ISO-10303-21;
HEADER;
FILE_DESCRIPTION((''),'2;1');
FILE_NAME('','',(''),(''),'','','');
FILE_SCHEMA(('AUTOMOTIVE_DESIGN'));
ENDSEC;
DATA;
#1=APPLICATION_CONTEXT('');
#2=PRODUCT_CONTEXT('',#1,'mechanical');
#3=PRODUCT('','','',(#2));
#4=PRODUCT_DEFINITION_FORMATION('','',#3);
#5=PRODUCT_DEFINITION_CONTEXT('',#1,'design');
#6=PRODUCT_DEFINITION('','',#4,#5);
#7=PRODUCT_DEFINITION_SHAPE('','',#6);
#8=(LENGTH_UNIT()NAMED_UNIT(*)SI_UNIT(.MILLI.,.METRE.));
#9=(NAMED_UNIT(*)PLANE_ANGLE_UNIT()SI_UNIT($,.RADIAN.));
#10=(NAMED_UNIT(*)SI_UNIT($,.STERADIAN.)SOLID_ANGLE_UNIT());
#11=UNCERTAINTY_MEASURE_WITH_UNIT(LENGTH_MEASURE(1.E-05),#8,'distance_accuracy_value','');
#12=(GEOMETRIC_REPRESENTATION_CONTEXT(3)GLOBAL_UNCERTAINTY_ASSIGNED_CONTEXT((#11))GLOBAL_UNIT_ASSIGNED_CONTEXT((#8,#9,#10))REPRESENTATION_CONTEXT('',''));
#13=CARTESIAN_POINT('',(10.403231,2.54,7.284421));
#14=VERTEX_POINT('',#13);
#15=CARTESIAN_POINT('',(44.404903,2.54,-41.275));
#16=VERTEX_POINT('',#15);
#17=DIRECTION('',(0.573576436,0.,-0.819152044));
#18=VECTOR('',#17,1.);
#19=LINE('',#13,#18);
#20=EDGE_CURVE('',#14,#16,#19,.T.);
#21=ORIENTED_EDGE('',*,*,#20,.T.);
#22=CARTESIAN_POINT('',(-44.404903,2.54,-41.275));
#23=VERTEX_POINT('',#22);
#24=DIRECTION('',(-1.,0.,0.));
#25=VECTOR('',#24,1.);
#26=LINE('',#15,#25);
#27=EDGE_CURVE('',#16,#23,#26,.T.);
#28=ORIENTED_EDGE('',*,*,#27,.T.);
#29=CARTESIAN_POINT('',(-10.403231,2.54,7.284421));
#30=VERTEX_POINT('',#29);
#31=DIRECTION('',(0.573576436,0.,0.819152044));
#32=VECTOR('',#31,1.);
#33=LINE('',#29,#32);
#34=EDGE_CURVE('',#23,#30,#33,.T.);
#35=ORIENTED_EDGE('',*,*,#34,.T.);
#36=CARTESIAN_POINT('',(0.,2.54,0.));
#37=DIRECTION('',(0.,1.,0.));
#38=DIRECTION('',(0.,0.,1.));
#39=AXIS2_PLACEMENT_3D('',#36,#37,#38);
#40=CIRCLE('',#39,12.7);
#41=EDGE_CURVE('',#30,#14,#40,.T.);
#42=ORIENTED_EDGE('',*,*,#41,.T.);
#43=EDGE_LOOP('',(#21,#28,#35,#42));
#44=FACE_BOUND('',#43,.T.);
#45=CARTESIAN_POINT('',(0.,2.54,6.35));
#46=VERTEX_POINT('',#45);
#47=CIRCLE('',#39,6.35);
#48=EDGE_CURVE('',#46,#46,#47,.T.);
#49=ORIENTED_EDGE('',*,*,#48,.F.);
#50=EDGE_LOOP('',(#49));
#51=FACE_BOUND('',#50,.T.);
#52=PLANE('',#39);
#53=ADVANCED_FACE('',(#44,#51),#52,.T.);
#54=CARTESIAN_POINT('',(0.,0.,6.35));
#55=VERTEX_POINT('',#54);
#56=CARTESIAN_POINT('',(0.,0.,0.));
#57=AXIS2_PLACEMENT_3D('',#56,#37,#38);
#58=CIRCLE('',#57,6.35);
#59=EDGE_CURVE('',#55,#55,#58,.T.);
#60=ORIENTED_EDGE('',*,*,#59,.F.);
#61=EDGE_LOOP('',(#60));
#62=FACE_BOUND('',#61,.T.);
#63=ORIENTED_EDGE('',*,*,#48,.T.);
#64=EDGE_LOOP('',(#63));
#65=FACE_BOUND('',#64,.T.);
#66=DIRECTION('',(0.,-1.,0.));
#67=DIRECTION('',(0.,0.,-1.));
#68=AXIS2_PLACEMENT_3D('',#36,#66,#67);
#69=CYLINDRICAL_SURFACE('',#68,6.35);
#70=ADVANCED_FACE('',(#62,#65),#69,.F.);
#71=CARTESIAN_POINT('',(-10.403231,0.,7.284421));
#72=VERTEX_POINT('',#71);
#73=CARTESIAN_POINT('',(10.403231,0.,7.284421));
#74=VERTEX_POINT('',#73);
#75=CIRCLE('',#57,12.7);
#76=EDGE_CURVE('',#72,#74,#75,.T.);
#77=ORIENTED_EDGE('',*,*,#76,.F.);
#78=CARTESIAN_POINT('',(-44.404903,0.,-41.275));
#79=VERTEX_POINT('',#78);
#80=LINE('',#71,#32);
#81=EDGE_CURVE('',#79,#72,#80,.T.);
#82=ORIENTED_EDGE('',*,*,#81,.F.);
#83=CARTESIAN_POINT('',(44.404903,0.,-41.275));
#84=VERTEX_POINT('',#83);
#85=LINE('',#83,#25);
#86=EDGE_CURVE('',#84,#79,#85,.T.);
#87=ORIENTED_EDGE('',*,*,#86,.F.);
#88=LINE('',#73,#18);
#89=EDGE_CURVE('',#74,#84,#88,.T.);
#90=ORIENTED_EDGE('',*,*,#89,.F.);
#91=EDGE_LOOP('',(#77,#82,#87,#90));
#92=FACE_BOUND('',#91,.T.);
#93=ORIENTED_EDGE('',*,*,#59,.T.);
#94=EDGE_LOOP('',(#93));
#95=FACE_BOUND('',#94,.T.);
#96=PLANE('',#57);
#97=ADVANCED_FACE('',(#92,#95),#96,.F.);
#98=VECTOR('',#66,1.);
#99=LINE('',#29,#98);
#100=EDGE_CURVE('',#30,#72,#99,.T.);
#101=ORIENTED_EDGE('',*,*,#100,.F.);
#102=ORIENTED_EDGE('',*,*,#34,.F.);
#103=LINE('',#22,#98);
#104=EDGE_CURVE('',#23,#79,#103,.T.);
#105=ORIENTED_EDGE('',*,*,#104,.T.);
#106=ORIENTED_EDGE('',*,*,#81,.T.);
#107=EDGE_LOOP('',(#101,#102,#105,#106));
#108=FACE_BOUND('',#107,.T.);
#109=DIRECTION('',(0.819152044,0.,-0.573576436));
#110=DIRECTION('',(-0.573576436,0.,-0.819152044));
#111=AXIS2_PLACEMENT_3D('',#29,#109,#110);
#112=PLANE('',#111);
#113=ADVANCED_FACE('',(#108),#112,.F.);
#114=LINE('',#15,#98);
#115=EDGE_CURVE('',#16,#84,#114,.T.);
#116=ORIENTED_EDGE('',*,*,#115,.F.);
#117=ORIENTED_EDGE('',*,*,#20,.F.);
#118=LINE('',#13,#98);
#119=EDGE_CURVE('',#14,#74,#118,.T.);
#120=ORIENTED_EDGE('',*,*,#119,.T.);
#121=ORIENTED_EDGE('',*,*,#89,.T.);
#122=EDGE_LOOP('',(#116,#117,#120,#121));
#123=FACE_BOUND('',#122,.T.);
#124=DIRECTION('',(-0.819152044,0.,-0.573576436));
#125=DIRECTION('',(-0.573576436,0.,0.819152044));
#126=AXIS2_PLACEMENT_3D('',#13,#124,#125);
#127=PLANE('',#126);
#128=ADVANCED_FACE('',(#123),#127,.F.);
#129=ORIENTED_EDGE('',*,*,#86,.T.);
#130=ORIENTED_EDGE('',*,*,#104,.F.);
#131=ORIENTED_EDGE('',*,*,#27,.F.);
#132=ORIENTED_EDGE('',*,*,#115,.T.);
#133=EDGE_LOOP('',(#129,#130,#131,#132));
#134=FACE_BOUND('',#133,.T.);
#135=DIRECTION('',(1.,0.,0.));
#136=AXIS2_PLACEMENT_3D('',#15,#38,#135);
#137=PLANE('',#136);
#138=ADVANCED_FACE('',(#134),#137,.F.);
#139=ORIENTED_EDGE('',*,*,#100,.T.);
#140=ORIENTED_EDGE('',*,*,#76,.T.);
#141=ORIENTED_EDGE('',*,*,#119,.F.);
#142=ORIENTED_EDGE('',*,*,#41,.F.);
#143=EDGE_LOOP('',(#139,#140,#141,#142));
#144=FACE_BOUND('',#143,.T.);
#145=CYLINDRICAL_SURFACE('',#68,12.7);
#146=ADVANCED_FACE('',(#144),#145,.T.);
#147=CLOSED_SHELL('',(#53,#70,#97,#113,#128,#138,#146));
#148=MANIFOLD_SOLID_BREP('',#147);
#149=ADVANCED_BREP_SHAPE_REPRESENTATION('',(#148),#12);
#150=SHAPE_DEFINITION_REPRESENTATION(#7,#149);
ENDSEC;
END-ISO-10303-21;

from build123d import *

# Parameters (mm, degrees)
SKETCH1_R           = 6.35
BOSS_EXTRUDE1_DEPTH = 2.54


with BuildPart() as part:
    # Sketch1 → Boss-Extrude1 (new body)
    with BuildSketch(Plane(origin=(0, 0, 0), x_dir=(1, 0, 0), z_dir=(0, 1, 0))):
        with BuildLine():
            Line((10.403230962, -7.284420742), (44.404903417, 41.275))
            Line((44.404903417, 41.275), (-44.404903417, 41.275))
            Line((-44.404903417, 41.275), (-10.403230962, -7.284420742))
            ThreePointArc((-10.403230962, -7.284420742), (0, -12.7), (10.403230962, -7.284420742))
        make_face()
        with Locations(Location((0, 0, 0), (0, 0, 270))):
            Circle(SKETCH1_R, mode=Mode.SUBTRACT)
    extrude(amount=BOSS_EXTRUDE1_DEPTH)


solid = part.part
